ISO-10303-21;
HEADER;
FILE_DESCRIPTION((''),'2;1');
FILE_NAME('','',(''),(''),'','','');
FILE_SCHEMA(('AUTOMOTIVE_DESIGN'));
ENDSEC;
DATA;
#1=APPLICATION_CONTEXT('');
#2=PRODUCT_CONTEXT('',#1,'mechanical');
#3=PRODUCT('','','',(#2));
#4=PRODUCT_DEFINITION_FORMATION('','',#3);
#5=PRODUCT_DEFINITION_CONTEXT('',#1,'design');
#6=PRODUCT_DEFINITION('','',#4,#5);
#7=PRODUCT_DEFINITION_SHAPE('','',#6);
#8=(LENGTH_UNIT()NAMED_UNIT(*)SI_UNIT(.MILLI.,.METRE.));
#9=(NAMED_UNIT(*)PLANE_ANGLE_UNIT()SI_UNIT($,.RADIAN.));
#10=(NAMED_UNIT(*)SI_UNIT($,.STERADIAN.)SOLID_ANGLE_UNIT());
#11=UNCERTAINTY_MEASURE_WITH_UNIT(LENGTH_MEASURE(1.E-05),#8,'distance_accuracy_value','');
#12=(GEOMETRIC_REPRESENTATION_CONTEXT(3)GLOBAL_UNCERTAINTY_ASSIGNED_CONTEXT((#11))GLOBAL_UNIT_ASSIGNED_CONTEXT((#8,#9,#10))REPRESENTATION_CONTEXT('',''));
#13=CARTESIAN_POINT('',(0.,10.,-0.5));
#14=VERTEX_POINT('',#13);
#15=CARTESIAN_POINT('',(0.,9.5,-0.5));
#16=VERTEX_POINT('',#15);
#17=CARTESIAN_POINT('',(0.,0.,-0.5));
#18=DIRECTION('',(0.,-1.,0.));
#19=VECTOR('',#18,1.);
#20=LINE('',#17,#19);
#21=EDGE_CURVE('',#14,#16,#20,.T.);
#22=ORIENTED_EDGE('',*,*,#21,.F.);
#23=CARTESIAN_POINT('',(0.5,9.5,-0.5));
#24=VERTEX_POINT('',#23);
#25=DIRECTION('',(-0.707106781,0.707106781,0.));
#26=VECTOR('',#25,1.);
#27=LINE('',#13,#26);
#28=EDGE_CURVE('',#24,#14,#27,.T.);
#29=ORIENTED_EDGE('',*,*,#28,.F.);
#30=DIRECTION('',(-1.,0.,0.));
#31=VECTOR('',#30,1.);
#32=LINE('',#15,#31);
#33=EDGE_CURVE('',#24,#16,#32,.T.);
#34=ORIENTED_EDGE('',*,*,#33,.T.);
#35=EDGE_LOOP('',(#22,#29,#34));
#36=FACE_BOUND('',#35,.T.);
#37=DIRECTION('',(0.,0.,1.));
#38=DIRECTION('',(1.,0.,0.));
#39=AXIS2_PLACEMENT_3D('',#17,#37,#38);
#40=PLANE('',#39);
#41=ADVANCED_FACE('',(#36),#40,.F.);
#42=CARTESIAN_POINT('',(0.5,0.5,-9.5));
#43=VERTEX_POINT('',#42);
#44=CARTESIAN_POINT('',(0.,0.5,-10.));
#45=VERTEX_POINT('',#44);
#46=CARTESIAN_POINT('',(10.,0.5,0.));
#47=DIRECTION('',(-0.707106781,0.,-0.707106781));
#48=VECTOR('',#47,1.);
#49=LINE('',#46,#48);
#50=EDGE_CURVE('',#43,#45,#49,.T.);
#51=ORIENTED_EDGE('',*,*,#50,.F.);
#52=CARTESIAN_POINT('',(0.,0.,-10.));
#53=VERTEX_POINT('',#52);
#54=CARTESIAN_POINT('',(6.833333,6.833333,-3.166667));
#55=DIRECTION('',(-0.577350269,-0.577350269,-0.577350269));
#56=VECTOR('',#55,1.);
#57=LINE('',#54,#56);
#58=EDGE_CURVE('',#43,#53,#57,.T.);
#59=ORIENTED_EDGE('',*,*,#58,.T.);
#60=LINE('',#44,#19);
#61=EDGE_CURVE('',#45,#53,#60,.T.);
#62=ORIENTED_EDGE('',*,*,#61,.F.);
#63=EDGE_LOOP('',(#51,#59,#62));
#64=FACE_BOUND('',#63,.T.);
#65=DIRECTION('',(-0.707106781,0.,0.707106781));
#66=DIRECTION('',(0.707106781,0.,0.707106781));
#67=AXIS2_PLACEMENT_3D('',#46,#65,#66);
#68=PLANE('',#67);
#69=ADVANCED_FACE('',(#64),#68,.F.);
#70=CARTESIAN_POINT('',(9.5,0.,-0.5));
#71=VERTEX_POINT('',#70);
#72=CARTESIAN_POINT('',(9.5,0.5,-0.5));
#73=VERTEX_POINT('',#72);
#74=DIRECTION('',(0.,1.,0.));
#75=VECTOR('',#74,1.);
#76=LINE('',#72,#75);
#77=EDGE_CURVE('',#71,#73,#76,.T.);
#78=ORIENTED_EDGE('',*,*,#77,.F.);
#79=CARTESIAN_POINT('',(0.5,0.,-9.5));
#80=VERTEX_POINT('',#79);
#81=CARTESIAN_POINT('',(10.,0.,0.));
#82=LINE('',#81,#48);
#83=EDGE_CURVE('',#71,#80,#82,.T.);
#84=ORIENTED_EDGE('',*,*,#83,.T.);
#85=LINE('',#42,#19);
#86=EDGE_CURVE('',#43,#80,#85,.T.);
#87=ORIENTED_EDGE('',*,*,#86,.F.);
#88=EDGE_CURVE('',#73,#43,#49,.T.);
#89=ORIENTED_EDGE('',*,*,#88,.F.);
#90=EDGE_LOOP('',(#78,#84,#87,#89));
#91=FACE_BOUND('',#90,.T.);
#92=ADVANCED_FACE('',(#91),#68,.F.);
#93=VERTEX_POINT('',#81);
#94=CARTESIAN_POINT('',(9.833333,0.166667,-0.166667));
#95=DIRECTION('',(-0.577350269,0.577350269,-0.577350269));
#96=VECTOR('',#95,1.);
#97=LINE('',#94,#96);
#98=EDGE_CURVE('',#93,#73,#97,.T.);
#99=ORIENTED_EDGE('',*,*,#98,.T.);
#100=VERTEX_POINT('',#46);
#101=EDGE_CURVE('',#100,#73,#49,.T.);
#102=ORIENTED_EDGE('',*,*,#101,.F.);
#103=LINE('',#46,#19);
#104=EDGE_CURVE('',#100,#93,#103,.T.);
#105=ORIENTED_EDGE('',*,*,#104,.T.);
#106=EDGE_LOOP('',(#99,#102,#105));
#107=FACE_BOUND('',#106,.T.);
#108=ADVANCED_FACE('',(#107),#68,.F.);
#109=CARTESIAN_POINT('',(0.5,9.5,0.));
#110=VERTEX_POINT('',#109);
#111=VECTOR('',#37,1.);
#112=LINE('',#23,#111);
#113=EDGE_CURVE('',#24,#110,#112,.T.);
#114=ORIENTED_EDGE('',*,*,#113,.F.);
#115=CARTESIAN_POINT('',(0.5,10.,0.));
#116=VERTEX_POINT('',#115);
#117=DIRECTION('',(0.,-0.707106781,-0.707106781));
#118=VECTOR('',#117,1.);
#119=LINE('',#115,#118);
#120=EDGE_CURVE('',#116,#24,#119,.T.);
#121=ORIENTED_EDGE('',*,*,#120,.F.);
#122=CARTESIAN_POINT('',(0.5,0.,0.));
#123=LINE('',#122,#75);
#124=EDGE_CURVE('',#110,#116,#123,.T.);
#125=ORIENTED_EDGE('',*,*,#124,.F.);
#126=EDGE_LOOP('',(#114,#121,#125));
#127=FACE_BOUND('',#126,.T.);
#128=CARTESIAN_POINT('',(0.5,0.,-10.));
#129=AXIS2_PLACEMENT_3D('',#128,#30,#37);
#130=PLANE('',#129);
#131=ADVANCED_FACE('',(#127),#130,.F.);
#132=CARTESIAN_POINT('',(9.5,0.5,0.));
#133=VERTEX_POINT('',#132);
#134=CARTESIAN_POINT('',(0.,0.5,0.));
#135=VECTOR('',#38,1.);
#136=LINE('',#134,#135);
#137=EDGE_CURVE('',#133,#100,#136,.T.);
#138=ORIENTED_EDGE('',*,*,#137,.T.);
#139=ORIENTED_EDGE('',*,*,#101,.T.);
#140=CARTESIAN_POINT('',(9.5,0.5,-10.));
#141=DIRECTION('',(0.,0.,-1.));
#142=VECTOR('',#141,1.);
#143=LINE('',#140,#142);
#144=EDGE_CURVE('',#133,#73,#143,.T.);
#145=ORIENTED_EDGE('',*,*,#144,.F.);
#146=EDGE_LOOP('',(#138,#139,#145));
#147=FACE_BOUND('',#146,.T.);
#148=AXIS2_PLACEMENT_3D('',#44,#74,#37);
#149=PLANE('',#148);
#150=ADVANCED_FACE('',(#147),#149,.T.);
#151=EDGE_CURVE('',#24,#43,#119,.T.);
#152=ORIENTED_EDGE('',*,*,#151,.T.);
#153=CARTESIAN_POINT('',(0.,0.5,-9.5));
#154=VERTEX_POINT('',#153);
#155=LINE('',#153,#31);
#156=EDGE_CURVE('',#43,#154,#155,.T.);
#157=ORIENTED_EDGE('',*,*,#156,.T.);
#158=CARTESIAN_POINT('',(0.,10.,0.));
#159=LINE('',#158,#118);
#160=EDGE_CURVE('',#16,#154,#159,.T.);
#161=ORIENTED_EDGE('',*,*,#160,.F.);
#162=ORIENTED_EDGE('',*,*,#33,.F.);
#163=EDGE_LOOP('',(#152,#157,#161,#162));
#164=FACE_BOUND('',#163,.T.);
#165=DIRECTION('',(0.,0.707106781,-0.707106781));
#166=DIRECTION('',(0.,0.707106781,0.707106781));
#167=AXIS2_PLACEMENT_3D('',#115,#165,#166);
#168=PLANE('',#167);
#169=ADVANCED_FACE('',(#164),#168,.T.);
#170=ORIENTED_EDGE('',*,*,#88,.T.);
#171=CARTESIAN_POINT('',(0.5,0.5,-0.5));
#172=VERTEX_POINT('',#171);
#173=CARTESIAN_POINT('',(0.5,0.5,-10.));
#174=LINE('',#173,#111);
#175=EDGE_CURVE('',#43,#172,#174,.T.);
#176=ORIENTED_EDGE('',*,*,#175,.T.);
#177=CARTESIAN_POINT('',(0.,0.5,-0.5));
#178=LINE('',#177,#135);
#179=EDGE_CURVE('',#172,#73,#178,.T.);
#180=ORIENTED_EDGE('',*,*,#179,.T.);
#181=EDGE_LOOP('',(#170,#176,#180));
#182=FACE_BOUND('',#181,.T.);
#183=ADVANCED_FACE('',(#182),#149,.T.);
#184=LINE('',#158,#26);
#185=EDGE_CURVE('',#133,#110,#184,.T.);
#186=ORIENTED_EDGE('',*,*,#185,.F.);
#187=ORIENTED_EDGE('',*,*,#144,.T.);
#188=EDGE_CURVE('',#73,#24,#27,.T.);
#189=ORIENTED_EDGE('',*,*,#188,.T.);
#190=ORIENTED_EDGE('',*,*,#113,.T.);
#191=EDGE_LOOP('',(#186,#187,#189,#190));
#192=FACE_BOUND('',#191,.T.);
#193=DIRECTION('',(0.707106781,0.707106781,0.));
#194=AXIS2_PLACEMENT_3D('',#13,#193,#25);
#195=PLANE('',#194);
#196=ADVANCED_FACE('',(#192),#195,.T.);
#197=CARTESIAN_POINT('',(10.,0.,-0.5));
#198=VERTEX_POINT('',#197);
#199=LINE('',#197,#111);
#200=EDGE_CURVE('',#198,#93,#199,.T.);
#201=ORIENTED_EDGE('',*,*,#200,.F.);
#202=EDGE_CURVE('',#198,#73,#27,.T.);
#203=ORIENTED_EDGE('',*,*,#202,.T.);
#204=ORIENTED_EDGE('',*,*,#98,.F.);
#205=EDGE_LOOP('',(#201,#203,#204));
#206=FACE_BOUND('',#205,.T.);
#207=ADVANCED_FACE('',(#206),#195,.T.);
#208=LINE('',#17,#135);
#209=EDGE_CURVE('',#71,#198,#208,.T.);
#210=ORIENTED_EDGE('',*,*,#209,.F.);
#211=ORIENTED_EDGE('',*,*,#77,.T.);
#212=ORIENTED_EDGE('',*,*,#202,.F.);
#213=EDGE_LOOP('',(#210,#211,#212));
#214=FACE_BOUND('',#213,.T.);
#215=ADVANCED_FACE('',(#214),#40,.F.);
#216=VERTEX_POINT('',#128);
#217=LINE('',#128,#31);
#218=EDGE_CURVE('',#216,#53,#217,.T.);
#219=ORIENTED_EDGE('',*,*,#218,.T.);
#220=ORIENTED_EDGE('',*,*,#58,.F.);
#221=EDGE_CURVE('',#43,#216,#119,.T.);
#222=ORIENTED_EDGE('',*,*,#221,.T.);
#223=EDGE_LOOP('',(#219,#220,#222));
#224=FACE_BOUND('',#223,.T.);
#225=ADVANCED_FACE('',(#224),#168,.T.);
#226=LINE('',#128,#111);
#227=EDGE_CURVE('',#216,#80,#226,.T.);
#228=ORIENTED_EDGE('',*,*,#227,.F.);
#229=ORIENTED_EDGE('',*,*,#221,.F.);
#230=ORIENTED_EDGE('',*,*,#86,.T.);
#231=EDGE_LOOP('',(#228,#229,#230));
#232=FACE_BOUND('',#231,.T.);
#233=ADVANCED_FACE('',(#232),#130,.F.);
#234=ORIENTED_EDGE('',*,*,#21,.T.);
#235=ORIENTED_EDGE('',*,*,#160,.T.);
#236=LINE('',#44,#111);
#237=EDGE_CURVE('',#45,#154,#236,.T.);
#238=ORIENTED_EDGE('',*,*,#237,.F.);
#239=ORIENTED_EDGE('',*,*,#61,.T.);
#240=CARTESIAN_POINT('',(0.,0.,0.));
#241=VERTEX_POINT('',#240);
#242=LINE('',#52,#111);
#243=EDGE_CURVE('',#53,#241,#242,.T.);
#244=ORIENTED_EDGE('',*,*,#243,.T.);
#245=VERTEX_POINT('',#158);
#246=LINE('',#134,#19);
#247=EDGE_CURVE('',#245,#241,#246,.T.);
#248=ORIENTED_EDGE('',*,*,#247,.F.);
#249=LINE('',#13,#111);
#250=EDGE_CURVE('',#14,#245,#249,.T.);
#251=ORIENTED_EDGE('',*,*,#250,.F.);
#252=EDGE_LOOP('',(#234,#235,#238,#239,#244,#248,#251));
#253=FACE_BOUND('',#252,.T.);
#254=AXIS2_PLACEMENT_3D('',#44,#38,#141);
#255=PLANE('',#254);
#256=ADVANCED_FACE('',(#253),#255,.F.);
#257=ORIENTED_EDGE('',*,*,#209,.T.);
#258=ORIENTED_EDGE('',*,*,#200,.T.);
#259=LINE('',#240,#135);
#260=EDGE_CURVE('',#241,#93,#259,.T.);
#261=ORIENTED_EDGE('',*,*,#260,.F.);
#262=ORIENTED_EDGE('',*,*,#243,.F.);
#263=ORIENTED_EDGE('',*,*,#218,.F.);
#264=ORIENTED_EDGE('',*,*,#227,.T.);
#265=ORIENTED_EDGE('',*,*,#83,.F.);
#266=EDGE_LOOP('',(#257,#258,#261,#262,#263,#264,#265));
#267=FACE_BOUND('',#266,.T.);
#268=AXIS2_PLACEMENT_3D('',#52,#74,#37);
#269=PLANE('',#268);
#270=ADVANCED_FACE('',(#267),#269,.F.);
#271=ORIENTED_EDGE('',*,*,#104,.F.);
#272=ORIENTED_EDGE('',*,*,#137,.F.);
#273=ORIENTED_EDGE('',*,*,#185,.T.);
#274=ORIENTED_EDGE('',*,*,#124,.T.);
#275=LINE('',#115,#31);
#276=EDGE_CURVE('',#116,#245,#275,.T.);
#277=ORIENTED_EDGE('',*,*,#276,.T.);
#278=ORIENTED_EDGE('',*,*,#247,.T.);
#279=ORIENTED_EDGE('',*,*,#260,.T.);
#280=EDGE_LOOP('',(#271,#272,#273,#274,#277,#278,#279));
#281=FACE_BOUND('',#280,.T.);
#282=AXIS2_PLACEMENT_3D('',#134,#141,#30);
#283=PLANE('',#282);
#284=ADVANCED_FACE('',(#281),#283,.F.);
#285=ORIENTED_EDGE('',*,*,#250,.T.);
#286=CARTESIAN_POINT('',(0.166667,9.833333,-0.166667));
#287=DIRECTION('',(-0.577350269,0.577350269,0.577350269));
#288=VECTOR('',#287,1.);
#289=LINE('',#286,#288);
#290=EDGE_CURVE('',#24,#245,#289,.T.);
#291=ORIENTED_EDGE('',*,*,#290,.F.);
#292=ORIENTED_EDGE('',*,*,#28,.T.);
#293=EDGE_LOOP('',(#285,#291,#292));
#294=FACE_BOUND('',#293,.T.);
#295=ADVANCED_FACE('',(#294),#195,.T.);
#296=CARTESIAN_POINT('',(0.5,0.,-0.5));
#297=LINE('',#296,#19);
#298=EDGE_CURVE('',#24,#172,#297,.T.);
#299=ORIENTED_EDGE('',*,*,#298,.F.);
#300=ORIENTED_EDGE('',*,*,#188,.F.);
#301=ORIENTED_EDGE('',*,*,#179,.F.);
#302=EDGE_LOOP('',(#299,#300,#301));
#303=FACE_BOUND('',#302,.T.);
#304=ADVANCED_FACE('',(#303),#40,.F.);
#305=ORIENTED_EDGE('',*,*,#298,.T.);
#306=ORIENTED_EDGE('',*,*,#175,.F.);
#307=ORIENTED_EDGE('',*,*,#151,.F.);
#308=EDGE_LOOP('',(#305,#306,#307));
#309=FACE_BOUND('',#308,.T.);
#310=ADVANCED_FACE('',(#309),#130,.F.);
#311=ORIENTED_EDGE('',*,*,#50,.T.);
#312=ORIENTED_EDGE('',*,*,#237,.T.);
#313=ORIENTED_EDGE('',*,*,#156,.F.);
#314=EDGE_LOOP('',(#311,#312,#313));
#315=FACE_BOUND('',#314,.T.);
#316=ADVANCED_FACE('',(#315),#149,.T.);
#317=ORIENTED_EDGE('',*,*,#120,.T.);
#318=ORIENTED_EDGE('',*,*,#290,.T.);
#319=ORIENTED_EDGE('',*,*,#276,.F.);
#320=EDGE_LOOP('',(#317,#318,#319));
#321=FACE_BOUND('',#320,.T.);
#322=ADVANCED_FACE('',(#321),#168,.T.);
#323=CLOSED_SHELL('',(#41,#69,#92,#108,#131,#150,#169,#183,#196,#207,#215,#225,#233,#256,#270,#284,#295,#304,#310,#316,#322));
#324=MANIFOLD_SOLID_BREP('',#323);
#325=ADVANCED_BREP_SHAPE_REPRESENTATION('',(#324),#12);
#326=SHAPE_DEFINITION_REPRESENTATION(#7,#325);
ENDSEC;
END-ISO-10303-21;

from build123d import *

# Parameters (mm, degrees)
BOSS_EXTRUDE5_DEPTH = 0.5
BOSS_EXTRUDE6_DEPTH = 0.5
BOSS_EXTRUDE7_DEPTH = 0.5


with BuildPart() as part:
    # Sketch2 → Boss-Extrude5 (new body)
    with BuildSketch(Plane(origin=(0, 0, 0), x_dir=(1, 0, 0), z_dir=(0, 1, 0))):
        Polygon((0, 10), (0, 0), (10, 0), align=None)
    extrude(amount=BOSS_EXTRUDE5_DEPTH)

    # Sketch3 → Boss-Extrude6 (add)
    with BuildSketch(Plane.XY):
        Polygon((0, 0), (0, 10), (10, 0), align=None)
    extrude(amount=-BOSS_EXTRUDE6_DEPTH)

    # Sketch4 → Boss-Extrude7 (add)
    with BuildSketch(Plane.ZY):
        Polygon((-10, 0), (0, 0), (0, 10), align=None)
    extrude(amount=-BOSS_EXTRUDE7_DEPTH)


solid = part.part
